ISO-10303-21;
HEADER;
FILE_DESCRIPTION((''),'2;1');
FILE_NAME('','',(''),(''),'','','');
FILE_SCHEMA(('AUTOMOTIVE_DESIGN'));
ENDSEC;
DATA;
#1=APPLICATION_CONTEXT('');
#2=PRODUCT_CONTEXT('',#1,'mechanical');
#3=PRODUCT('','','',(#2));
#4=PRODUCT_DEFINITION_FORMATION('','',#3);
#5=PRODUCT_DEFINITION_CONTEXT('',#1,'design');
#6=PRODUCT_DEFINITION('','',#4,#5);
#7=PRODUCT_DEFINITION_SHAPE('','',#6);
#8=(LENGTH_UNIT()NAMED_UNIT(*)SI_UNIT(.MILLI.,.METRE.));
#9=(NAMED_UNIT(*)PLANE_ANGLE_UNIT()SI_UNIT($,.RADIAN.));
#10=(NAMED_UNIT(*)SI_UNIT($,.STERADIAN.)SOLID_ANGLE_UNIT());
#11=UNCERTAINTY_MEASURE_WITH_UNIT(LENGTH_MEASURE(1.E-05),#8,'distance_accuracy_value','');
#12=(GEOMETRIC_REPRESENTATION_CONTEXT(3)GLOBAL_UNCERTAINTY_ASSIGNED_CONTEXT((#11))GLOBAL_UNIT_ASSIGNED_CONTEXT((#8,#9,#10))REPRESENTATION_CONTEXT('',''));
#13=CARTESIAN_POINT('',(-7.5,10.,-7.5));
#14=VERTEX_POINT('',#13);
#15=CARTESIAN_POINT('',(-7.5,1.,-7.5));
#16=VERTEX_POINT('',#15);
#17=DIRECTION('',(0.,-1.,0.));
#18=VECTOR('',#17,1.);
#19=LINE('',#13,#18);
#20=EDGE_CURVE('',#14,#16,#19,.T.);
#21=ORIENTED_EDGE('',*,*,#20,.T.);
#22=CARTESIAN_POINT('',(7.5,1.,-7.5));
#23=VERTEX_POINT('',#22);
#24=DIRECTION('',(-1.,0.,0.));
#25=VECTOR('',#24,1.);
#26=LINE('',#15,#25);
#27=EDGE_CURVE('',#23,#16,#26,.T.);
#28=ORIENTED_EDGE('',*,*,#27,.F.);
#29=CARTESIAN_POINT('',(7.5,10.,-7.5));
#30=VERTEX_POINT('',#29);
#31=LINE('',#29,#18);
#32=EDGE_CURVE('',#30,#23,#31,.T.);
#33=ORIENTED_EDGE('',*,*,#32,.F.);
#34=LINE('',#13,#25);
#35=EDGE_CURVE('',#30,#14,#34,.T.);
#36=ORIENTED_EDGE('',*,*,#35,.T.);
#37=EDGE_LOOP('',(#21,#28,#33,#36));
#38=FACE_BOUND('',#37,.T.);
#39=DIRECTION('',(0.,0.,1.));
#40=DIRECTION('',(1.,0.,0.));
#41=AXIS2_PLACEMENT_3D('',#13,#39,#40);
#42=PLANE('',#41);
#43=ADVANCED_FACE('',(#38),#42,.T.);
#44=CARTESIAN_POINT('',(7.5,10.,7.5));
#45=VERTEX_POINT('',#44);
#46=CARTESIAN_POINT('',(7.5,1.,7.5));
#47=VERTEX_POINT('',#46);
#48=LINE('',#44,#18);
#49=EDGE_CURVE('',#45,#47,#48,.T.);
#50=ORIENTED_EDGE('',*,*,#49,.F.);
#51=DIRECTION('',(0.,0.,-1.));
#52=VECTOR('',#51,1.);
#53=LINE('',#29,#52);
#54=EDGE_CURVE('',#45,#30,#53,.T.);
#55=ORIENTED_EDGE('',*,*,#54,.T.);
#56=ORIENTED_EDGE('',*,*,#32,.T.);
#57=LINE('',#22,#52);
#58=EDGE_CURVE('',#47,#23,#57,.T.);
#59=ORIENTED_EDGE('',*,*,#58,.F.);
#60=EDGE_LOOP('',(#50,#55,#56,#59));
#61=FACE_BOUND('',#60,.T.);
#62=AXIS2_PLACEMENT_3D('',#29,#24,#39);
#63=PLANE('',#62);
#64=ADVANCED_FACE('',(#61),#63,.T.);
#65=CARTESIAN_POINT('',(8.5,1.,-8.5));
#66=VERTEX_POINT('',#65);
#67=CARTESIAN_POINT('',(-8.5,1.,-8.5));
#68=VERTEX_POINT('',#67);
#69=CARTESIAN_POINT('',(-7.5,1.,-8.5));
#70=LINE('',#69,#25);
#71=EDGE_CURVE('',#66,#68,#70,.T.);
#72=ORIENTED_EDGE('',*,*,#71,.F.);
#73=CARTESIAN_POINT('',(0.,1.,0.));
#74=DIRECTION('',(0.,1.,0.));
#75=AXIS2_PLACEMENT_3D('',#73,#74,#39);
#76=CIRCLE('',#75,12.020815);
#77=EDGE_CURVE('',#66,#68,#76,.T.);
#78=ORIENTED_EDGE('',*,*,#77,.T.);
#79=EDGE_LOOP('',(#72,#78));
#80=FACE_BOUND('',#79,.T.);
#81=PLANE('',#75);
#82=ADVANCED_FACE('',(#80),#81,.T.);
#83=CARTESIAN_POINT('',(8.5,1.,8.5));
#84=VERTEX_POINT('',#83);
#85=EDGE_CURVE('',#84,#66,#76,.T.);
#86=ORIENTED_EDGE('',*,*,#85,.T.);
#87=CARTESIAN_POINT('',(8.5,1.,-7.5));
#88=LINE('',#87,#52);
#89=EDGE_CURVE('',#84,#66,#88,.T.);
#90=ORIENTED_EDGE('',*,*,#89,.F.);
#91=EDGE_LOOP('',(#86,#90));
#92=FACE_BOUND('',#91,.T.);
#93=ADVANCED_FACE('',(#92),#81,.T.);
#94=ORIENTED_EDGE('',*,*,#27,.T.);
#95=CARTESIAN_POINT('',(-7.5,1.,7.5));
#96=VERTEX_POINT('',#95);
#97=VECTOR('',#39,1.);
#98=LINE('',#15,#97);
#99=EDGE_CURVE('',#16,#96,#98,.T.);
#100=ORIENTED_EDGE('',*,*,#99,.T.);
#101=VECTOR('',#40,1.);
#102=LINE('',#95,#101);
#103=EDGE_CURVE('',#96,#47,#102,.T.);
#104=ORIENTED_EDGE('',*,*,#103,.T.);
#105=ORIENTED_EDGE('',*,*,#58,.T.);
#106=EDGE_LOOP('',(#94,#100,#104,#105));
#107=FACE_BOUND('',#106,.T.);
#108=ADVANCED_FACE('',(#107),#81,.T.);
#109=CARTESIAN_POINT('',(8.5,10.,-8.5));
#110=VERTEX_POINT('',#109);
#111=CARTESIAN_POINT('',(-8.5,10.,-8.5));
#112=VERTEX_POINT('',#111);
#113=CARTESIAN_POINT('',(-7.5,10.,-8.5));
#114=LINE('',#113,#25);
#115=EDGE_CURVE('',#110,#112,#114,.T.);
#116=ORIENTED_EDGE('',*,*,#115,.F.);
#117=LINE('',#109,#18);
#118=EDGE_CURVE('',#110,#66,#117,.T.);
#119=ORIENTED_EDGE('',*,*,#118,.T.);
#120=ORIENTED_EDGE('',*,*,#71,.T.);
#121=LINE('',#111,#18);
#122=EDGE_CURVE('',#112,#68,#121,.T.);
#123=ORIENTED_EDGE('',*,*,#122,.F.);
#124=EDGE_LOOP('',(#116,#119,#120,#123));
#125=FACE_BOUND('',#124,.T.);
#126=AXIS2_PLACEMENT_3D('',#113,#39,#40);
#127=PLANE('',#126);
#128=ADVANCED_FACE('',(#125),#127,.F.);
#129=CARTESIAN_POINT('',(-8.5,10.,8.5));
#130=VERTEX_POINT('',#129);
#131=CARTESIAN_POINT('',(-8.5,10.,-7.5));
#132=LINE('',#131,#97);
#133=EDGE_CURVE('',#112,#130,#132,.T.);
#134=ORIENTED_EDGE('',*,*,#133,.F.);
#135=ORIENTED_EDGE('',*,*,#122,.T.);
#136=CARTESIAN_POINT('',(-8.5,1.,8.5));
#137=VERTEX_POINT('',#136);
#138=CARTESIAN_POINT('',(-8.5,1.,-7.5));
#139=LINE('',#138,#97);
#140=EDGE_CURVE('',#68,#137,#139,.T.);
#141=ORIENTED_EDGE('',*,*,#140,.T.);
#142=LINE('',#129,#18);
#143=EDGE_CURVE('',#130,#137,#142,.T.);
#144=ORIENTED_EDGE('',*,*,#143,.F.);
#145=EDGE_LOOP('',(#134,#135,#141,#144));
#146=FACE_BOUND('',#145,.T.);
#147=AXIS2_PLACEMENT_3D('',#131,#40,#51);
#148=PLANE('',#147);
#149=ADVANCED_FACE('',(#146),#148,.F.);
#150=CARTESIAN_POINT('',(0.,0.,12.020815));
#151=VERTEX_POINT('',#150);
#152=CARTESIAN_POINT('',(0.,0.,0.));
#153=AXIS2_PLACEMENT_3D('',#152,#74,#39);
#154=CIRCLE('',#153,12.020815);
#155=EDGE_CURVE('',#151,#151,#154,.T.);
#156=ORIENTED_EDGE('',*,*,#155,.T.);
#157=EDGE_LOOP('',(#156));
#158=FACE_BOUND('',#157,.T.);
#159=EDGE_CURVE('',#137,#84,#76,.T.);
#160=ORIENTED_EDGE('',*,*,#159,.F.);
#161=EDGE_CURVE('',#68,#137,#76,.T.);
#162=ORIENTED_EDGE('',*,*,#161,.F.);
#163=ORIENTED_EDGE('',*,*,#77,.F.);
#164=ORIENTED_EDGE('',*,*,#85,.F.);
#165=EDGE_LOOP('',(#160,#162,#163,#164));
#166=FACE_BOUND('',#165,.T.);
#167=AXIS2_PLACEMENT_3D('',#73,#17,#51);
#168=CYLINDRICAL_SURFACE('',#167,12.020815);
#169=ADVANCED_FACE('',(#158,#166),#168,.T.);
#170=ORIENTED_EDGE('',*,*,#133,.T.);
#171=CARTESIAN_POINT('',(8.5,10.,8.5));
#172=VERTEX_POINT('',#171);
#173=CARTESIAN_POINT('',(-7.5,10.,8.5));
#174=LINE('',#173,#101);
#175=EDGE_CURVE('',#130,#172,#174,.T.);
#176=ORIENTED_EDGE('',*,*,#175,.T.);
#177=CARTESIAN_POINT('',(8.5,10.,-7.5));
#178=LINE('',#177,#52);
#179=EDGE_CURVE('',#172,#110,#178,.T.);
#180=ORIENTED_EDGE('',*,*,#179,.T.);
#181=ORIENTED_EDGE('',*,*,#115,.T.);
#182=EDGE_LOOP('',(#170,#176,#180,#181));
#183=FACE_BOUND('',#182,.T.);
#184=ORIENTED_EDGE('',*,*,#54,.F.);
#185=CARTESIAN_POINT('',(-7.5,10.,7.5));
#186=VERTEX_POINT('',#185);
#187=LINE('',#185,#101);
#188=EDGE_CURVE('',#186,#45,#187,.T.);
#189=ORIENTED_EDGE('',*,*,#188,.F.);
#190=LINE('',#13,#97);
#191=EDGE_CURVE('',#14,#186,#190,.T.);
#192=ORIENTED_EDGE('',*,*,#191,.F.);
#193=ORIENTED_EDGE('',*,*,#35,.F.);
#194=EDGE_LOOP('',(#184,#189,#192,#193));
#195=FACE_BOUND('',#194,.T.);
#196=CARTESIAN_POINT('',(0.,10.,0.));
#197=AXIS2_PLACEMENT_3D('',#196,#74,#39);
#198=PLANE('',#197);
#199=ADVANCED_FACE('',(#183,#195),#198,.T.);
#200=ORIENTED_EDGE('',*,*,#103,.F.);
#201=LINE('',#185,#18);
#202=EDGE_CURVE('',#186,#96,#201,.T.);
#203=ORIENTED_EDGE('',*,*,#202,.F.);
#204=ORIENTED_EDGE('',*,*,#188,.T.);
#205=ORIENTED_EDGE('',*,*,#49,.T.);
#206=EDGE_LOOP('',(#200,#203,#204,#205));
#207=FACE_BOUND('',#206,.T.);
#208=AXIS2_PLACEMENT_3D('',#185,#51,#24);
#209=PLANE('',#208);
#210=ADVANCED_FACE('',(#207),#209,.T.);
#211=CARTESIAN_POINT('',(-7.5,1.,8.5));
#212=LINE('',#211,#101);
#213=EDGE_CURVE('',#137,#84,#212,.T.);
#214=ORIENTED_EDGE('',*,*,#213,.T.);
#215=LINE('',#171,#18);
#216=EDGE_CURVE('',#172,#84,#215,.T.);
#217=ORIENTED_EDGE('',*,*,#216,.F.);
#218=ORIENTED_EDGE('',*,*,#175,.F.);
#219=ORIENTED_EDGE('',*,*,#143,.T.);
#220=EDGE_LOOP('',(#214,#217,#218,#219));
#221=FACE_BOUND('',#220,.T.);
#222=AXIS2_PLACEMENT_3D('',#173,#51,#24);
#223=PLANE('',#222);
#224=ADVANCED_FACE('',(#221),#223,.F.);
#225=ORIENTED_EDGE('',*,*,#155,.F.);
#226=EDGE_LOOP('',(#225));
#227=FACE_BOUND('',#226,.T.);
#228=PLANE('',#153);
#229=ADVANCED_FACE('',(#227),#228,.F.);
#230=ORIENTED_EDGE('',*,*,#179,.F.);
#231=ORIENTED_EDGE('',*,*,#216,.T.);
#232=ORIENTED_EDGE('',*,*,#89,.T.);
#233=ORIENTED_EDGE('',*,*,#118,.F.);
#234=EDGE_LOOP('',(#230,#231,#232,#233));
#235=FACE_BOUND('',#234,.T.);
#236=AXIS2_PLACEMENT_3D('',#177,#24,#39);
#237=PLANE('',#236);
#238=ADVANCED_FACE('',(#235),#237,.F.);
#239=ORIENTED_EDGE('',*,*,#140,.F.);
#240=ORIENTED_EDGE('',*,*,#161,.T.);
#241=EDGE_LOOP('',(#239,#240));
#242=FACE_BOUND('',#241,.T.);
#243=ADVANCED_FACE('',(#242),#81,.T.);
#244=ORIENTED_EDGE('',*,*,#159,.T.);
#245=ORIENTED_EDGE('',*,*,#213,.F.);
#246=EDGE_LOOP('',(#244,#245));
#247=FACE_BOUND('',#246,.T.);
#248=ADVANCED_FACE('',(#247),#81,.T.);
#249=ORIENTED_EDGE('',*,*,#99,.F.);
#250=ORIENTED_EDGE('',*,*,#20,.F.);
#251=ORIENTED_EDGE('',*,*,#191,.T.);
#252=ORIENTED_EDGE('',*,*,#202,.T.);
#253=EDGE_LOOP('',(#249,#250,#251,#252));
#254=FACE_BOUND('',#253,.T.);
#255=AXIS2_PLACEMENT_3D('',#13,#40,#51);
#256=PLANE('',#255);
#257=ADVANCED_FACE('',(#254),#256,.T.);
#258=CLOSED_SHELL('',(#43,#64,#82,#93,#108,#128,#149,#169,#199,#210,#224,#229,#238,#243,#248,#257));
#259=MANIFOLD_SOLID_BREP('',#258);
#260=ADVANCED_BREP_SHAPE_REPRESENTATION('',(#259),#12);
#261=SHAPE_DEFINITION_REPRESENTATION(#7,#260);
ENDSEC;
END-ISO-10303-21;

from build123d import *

# Parameters (mm, degrees)
SKETCH1_W           = 17
SKETCH1_H           = 17
SKETCH1_W_2         = 15
SKETCH1_H_2         = 15
EXTRUDE_THIN1_DEPTH = 10
SKETCH2_R           = 12.02081528
BOSS_EXTRUDE1_DEPTH = 1


with BuildPart() as part:
    # Sketch1 → Extrude-Thin1 (new body)
    with BuildSketch(Plane(origin=(0, 0, 0), x_dir=(1, 0, 0), z_dir=(0, 1, 0))):
        Rectangle(SKETCH1_W, SKETCH1_H)
        Rectangle(SKETCH1_W_2, SKETCH1_H_2, mode=Mode.SUBTRACT)
    extrude(amount=EXTRUDE_THIN1_DEPTH)

    # Sketch2 → Boss-Extrude1 (add)
    with BuildSketch(Plane(origin=(0, 0, 0), x_dir=(1, 0, 0), z_dir=(0, 1, 0))):
        Circle(SKETCH2_R)
    extrude(amount=BOSS_EXTRUDE1_DEPTH)


solid = part.part
